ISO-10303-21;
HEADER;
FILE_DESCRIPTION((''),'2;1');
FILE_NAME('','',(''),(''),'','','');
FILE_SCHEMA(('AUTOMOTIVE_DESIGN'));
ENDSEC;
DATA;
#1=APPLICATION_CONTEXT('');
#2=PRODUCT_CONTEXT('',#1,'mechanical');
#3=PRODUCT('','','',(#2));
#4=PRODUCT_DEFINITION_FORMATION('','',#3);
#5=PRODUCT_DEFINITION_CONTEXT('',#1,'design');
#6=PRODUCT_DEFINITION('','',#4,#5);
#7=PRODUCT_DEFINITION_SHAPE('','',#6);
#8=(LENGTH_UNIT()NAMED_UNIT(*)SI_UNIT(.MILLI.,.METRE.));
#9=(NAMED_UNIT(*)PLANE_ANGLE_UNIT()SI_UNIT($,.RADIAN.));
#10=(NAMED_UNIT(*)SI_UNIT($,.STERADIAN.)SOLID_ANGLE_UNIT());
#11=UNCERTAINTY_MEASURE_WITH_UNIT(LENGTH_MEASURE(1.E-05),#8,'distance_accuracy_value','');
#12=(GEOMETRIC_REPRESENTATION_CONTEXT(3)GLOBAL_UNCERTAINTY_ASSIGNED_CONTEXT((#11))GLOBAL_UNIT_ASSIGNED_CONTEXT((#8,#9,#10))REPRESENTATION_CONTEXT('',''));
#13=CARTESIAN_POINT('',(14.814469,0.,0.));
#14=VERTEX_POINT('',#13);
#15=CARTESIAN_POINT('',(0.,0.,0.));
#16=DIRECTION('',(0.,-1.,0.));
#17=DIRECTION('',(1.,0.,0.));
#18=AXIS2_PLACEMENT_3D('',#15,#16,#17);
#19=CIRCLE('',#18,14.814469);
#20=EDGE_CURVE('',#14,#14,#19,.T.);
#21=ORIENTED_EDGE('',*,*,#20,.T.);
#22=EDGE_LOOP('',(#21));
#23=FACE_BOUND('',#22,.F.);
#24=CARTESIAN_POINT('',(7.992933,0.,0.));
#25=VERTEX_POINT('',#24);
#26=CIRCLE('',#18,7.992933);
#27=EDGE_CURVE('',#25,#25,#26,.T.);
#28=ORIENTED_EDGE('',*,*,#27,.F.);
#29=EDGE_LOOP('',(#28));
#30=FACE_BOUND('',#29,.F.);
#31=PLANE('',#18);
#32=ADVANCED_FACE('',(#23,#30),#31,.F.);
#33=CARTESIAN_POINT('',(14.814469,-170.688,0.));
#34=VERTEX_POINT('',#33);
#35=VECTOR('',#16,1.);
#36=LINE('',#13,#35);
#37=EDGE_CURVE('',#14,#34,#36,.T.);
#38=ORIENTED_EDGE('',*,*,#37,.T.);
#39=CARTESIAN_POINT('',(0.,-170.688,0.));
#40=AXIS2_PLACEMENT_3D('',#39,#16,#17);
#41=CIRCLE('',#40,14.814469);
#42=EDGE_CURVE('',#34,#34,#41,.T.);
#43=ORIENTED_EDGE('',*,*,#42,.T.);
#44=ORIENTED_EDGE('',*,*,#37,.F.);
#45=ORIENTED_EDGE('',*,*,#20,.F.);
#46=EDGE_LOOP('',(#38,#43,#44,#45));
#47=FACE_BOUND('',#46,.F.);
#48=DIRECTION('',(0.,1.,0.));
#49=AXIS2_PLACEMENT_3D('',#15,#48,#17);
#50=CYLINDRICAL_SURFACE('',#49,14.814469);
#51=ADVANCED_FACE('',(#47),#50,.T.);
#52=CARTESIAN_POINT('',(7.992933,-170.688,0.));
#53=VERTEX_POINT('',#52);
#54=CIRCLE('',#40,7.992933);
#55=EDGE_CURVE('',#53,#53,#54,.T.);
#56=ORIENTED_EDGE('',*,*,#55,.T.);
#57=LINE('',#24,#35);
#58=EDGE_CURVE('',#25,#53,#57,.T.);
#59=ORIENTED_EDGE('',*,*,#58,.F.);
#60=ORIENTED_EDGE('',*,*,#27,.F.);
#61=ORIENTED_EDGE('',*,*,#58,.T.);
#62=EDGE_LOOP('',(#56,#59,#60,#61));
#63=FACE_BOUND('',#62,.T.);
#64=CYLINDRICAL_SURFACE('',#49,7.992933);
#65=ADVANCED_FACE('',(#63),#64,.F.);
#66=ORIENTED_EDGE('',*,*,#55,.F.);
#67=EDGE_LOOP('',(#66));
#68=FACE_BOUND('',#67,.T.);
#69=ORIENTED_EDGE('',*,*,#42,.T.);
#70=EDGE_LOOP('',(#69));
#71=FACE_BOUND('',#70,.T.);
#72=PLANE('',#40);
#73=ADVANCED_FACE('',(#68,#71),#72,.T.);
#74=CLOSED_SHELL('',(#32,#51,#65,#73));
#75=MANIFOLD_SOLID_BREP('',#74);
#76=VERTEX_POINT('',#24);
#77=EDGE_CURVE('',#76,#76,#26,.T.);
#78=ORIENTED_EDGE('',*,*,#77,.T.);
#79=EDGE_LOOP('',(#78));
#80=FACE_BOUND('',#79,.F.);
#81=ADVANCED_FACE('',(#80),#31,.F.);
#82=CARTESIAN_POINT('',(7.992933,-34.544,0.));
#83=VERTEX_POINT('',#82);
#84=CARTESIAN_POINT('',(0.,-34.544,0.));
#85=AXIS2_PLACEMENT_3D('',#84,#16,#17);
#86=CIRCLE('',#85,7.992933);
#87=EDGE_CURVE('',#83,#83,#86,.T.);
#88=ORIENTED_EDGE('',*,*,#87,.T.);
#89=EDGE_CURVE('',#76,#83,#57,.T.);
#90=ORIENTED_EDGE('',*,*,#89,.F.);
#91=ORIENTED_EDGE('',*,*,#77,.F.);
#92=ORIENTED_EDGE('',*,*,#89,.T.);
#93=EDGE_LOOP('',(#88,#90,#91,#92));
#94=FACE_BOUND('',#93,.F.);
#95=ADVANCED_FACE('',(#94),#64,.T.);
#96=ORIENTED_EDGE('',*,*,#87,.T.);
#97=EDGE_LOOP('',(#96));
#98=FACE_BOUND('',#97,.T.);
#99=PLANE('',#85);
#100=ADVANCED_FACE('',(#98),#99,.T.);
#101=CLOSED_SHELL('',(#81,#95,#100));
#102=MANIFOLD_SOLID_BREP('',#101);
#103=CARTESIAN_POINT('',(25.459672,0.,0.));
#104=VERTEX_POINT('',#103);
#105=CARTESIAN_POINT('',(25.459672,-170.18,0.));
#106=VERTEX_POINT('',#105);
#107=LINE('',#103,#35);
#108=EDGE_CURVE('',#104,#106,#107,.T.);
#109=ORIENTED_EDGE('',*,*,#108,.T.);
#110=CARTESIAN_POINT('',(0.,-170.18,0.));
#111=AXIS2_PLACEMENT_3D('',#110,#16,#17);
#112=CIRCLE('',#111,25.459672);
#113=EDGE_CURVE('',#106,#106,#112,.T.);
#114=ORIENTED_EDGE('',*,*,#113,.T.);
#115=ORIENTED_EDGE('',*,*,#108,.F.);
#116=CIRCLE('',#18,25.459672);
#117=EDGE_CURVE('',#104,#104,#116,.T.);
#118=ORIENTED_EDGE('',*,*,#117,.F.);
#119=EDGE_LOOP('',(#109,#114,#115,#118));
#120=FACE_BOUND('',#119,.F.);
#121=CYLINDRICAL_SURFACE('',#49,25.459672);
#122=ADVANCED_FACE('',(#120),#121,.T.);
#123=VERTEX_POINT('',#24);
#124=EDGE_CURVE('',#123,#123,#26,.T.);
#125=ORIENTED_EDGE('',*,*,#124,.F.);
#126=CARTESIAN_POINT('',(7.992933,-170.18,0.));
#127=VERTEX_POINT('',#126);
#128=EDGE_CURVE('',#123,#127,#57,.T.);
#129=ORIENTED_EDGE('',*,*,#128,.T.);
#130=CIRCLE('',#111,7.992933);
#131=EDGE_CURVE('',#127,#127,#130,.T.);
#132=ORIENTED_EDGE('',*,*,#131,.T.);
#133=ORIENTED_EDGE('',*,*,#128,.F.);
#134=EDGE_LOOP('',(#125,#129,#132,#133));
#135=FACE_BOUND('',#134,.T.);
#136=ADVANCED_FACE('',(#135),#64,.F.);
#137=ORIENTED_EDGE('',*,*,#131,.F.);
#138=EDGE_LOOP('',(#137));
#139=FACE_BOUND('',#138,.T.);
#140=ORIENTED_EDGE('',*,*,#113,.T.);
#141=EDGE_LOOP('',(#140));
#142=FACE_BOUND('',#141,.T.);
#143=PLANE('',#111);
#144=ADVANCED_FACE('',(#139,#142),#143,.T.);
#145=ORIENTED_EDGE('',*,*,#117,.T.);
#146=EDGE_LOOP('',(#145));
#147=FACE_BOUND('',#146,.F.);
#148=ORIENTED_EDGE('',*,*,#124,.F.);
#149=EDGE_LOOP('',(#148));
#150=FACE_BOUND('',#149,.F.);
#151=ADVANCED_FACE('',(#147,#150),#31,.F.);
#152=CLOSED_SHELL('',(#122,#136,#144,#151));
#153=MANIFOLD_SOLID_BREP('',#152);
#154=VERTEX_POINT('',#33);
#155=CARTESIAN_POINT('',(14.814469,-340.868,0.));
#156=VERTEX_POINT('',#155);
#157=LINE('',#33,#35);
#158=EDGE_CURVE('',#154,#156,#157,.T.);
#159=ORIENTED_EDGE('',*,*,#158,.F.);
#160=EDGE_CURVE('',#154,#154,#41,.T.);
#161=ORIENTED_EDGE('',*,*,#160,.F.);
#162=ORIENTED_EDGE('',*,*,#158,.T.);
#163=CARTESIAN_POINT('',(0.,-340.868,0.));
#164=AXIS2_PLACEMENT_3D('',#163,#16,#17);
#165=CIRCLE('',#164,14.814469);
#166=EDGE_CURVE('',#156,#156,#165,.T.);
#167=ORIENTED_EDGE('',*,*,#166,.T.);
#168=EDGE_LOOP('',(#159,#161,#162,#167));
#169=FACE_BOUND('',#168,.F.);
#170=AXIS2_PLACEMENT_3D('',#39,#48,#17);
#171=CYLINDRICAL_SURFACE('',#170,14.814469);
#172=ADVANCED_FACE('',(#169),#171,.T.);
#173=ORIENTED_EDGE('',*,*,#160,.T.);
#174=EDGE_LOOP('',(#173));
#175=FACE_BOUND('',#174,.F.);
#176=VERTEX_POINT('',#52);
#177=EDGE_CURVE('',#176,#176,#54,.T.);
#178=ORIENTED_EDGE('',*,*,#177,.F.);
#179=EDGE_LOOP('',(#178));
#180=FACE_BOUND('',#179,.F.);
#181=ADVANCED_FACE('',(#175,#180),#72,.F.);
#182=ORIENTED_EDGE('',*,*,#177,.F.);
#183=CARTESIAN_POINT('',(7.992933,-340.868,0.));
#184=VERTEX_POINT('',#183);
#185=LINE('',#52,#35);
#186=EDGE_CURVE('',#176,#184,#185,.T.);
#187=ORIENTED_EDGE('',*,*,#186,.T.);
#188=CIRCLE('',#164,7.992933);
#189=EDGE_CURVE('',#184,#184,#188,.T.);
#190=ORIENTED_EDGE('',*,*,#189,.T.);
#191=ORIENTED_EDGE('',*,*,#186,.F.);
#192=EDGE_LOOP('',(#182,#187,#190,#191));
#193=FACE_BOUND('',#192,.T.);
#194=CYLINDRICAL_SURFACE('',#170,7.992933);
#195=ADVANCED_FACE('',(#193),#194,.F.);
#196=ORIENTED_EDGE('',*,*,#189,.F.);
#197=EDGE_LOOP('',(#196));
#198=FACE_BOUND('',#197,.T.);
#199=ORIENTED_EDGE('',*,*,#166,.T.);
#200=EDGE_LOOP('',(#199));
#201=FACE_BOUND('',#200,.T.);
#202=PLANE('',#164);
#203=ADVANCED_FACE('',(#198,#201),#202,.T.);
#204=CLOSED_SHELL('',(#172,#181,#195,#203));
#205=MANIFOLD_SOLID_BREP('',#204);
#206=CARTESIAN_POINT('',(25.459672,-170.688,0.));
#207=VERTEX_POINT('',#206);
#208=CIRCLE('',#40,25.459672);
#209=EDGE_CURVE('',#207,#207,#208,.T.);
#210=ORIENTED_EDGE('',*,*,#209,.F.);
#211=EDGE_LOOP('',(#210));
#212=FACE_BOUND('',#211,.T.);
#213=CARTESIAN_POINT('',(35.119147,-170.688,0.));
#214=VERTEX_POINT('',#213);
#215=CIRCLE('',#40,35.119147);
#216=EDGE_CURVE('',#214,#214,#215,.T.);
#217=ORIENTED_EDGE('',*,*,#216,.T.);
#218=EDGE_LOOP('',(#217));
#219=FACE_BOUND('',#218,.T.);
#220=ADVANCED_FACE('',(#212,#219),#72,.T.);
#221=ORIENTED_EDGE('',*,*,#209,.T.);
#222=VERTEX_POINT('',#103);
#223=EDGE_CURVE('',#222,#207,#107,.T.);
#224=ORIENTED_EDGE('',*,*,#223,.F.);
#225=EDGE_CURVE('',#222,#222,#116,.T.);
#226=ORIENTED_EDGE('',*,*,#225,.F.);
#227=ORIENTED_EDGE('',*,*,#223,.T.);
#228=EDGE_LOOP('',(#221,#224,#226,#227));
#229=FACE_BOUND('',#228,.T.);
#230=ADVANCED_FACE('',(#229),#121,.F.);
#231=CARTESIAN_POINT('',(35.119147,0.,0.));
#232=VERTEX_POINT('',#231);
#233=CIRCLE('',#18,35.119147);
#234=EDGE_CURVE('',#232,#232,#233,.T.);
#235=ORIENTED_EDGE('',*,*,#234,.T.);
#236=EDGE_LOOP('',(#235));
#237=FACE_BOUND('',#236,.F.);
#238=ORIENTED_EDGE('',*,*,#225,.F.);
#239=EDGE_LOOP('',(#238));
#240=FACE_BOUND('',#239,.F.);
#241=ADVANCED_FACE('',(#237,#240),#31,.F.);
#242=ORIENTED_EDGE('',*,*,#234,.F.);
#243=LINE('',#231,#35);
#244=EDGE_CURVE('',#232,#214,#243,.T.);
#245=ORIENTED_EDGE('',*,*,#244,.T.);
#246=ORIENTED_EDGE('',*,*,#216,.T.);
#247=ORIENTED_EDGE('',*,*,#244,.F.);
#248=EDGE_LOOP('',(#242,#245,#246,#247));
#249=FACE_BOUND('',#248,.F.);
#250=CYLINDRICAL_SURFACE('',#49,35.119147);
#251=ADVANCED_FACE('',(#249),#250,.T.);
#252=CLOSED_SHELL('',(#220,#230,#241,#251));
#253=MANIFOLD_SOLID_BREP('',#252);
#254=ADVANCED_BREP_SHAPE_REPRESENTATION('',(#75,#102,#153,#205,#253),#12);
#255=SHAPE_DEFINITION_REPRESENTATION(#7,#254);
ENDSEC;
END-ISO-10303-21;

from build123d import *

# Parameters (mm, degrees)
F0_R        = 35.1191473408
F0_R_2      = 25.4596723579
F2_DEPTH    = 170.688
F1_R        = 14.8144691806
F1_R_2      = 7.992932925
F1_R_3      = 25.4596723579
F2_FACE_R   = 14.8144691806
F2_FACE_R_2 = 7.992932925
F3_DEPTH    = 170.18
F4_DEPTH    = 34.544


with BuildPart() as f2:
    # F0 (on Front) → F2 (new body)
    with BuildSketch(Plane.XZ):
        Circle(F0_R)
        Circle(F0_R_2, mode=Mode.SUBTRACT)
    extrude(amount=F2_DEPTH)


with BuildPart() as f2b:
    # F1 (on face) → F2, piece 2 (new body)
    with BuildSketch(Plane.XZ):
        Circle(F1_R)
        Circle(F1_R_2, mode=Mode.SUBTRACT)
    extrude(amount=F2_DEPTH)


with BuildPart() as f3:
    # F1 (on face) + F2_face (on face) → F3 (new body)
    with BuildSketch(Plane.XZ):
        Circle(F1_R_3)
        Circle(F1_R, mode=Mode.SUBTRACT)
        Circle(F1_R)
        Circle(F1_R_2, mode=Mode.SUBTRACT)
    with BuildSketch(Plane.XZ.offset(170.688)):
        Circle(F2_FACE_R)
        Circle(F2_FACE_R_2, mode=Mode.SUBTRACT)
    extrude(amount=F3_DEPTH)


with BuildPart() as f4:
    # F1 (on face) → F4 (new body)
    with BuildSketch(Plane.XZ):
        Circle(F1_R_2)
    extrude(amount=F4_DEPTH)


solid = Compound([f2.part, f2b.part, f3.part, f4.part])
